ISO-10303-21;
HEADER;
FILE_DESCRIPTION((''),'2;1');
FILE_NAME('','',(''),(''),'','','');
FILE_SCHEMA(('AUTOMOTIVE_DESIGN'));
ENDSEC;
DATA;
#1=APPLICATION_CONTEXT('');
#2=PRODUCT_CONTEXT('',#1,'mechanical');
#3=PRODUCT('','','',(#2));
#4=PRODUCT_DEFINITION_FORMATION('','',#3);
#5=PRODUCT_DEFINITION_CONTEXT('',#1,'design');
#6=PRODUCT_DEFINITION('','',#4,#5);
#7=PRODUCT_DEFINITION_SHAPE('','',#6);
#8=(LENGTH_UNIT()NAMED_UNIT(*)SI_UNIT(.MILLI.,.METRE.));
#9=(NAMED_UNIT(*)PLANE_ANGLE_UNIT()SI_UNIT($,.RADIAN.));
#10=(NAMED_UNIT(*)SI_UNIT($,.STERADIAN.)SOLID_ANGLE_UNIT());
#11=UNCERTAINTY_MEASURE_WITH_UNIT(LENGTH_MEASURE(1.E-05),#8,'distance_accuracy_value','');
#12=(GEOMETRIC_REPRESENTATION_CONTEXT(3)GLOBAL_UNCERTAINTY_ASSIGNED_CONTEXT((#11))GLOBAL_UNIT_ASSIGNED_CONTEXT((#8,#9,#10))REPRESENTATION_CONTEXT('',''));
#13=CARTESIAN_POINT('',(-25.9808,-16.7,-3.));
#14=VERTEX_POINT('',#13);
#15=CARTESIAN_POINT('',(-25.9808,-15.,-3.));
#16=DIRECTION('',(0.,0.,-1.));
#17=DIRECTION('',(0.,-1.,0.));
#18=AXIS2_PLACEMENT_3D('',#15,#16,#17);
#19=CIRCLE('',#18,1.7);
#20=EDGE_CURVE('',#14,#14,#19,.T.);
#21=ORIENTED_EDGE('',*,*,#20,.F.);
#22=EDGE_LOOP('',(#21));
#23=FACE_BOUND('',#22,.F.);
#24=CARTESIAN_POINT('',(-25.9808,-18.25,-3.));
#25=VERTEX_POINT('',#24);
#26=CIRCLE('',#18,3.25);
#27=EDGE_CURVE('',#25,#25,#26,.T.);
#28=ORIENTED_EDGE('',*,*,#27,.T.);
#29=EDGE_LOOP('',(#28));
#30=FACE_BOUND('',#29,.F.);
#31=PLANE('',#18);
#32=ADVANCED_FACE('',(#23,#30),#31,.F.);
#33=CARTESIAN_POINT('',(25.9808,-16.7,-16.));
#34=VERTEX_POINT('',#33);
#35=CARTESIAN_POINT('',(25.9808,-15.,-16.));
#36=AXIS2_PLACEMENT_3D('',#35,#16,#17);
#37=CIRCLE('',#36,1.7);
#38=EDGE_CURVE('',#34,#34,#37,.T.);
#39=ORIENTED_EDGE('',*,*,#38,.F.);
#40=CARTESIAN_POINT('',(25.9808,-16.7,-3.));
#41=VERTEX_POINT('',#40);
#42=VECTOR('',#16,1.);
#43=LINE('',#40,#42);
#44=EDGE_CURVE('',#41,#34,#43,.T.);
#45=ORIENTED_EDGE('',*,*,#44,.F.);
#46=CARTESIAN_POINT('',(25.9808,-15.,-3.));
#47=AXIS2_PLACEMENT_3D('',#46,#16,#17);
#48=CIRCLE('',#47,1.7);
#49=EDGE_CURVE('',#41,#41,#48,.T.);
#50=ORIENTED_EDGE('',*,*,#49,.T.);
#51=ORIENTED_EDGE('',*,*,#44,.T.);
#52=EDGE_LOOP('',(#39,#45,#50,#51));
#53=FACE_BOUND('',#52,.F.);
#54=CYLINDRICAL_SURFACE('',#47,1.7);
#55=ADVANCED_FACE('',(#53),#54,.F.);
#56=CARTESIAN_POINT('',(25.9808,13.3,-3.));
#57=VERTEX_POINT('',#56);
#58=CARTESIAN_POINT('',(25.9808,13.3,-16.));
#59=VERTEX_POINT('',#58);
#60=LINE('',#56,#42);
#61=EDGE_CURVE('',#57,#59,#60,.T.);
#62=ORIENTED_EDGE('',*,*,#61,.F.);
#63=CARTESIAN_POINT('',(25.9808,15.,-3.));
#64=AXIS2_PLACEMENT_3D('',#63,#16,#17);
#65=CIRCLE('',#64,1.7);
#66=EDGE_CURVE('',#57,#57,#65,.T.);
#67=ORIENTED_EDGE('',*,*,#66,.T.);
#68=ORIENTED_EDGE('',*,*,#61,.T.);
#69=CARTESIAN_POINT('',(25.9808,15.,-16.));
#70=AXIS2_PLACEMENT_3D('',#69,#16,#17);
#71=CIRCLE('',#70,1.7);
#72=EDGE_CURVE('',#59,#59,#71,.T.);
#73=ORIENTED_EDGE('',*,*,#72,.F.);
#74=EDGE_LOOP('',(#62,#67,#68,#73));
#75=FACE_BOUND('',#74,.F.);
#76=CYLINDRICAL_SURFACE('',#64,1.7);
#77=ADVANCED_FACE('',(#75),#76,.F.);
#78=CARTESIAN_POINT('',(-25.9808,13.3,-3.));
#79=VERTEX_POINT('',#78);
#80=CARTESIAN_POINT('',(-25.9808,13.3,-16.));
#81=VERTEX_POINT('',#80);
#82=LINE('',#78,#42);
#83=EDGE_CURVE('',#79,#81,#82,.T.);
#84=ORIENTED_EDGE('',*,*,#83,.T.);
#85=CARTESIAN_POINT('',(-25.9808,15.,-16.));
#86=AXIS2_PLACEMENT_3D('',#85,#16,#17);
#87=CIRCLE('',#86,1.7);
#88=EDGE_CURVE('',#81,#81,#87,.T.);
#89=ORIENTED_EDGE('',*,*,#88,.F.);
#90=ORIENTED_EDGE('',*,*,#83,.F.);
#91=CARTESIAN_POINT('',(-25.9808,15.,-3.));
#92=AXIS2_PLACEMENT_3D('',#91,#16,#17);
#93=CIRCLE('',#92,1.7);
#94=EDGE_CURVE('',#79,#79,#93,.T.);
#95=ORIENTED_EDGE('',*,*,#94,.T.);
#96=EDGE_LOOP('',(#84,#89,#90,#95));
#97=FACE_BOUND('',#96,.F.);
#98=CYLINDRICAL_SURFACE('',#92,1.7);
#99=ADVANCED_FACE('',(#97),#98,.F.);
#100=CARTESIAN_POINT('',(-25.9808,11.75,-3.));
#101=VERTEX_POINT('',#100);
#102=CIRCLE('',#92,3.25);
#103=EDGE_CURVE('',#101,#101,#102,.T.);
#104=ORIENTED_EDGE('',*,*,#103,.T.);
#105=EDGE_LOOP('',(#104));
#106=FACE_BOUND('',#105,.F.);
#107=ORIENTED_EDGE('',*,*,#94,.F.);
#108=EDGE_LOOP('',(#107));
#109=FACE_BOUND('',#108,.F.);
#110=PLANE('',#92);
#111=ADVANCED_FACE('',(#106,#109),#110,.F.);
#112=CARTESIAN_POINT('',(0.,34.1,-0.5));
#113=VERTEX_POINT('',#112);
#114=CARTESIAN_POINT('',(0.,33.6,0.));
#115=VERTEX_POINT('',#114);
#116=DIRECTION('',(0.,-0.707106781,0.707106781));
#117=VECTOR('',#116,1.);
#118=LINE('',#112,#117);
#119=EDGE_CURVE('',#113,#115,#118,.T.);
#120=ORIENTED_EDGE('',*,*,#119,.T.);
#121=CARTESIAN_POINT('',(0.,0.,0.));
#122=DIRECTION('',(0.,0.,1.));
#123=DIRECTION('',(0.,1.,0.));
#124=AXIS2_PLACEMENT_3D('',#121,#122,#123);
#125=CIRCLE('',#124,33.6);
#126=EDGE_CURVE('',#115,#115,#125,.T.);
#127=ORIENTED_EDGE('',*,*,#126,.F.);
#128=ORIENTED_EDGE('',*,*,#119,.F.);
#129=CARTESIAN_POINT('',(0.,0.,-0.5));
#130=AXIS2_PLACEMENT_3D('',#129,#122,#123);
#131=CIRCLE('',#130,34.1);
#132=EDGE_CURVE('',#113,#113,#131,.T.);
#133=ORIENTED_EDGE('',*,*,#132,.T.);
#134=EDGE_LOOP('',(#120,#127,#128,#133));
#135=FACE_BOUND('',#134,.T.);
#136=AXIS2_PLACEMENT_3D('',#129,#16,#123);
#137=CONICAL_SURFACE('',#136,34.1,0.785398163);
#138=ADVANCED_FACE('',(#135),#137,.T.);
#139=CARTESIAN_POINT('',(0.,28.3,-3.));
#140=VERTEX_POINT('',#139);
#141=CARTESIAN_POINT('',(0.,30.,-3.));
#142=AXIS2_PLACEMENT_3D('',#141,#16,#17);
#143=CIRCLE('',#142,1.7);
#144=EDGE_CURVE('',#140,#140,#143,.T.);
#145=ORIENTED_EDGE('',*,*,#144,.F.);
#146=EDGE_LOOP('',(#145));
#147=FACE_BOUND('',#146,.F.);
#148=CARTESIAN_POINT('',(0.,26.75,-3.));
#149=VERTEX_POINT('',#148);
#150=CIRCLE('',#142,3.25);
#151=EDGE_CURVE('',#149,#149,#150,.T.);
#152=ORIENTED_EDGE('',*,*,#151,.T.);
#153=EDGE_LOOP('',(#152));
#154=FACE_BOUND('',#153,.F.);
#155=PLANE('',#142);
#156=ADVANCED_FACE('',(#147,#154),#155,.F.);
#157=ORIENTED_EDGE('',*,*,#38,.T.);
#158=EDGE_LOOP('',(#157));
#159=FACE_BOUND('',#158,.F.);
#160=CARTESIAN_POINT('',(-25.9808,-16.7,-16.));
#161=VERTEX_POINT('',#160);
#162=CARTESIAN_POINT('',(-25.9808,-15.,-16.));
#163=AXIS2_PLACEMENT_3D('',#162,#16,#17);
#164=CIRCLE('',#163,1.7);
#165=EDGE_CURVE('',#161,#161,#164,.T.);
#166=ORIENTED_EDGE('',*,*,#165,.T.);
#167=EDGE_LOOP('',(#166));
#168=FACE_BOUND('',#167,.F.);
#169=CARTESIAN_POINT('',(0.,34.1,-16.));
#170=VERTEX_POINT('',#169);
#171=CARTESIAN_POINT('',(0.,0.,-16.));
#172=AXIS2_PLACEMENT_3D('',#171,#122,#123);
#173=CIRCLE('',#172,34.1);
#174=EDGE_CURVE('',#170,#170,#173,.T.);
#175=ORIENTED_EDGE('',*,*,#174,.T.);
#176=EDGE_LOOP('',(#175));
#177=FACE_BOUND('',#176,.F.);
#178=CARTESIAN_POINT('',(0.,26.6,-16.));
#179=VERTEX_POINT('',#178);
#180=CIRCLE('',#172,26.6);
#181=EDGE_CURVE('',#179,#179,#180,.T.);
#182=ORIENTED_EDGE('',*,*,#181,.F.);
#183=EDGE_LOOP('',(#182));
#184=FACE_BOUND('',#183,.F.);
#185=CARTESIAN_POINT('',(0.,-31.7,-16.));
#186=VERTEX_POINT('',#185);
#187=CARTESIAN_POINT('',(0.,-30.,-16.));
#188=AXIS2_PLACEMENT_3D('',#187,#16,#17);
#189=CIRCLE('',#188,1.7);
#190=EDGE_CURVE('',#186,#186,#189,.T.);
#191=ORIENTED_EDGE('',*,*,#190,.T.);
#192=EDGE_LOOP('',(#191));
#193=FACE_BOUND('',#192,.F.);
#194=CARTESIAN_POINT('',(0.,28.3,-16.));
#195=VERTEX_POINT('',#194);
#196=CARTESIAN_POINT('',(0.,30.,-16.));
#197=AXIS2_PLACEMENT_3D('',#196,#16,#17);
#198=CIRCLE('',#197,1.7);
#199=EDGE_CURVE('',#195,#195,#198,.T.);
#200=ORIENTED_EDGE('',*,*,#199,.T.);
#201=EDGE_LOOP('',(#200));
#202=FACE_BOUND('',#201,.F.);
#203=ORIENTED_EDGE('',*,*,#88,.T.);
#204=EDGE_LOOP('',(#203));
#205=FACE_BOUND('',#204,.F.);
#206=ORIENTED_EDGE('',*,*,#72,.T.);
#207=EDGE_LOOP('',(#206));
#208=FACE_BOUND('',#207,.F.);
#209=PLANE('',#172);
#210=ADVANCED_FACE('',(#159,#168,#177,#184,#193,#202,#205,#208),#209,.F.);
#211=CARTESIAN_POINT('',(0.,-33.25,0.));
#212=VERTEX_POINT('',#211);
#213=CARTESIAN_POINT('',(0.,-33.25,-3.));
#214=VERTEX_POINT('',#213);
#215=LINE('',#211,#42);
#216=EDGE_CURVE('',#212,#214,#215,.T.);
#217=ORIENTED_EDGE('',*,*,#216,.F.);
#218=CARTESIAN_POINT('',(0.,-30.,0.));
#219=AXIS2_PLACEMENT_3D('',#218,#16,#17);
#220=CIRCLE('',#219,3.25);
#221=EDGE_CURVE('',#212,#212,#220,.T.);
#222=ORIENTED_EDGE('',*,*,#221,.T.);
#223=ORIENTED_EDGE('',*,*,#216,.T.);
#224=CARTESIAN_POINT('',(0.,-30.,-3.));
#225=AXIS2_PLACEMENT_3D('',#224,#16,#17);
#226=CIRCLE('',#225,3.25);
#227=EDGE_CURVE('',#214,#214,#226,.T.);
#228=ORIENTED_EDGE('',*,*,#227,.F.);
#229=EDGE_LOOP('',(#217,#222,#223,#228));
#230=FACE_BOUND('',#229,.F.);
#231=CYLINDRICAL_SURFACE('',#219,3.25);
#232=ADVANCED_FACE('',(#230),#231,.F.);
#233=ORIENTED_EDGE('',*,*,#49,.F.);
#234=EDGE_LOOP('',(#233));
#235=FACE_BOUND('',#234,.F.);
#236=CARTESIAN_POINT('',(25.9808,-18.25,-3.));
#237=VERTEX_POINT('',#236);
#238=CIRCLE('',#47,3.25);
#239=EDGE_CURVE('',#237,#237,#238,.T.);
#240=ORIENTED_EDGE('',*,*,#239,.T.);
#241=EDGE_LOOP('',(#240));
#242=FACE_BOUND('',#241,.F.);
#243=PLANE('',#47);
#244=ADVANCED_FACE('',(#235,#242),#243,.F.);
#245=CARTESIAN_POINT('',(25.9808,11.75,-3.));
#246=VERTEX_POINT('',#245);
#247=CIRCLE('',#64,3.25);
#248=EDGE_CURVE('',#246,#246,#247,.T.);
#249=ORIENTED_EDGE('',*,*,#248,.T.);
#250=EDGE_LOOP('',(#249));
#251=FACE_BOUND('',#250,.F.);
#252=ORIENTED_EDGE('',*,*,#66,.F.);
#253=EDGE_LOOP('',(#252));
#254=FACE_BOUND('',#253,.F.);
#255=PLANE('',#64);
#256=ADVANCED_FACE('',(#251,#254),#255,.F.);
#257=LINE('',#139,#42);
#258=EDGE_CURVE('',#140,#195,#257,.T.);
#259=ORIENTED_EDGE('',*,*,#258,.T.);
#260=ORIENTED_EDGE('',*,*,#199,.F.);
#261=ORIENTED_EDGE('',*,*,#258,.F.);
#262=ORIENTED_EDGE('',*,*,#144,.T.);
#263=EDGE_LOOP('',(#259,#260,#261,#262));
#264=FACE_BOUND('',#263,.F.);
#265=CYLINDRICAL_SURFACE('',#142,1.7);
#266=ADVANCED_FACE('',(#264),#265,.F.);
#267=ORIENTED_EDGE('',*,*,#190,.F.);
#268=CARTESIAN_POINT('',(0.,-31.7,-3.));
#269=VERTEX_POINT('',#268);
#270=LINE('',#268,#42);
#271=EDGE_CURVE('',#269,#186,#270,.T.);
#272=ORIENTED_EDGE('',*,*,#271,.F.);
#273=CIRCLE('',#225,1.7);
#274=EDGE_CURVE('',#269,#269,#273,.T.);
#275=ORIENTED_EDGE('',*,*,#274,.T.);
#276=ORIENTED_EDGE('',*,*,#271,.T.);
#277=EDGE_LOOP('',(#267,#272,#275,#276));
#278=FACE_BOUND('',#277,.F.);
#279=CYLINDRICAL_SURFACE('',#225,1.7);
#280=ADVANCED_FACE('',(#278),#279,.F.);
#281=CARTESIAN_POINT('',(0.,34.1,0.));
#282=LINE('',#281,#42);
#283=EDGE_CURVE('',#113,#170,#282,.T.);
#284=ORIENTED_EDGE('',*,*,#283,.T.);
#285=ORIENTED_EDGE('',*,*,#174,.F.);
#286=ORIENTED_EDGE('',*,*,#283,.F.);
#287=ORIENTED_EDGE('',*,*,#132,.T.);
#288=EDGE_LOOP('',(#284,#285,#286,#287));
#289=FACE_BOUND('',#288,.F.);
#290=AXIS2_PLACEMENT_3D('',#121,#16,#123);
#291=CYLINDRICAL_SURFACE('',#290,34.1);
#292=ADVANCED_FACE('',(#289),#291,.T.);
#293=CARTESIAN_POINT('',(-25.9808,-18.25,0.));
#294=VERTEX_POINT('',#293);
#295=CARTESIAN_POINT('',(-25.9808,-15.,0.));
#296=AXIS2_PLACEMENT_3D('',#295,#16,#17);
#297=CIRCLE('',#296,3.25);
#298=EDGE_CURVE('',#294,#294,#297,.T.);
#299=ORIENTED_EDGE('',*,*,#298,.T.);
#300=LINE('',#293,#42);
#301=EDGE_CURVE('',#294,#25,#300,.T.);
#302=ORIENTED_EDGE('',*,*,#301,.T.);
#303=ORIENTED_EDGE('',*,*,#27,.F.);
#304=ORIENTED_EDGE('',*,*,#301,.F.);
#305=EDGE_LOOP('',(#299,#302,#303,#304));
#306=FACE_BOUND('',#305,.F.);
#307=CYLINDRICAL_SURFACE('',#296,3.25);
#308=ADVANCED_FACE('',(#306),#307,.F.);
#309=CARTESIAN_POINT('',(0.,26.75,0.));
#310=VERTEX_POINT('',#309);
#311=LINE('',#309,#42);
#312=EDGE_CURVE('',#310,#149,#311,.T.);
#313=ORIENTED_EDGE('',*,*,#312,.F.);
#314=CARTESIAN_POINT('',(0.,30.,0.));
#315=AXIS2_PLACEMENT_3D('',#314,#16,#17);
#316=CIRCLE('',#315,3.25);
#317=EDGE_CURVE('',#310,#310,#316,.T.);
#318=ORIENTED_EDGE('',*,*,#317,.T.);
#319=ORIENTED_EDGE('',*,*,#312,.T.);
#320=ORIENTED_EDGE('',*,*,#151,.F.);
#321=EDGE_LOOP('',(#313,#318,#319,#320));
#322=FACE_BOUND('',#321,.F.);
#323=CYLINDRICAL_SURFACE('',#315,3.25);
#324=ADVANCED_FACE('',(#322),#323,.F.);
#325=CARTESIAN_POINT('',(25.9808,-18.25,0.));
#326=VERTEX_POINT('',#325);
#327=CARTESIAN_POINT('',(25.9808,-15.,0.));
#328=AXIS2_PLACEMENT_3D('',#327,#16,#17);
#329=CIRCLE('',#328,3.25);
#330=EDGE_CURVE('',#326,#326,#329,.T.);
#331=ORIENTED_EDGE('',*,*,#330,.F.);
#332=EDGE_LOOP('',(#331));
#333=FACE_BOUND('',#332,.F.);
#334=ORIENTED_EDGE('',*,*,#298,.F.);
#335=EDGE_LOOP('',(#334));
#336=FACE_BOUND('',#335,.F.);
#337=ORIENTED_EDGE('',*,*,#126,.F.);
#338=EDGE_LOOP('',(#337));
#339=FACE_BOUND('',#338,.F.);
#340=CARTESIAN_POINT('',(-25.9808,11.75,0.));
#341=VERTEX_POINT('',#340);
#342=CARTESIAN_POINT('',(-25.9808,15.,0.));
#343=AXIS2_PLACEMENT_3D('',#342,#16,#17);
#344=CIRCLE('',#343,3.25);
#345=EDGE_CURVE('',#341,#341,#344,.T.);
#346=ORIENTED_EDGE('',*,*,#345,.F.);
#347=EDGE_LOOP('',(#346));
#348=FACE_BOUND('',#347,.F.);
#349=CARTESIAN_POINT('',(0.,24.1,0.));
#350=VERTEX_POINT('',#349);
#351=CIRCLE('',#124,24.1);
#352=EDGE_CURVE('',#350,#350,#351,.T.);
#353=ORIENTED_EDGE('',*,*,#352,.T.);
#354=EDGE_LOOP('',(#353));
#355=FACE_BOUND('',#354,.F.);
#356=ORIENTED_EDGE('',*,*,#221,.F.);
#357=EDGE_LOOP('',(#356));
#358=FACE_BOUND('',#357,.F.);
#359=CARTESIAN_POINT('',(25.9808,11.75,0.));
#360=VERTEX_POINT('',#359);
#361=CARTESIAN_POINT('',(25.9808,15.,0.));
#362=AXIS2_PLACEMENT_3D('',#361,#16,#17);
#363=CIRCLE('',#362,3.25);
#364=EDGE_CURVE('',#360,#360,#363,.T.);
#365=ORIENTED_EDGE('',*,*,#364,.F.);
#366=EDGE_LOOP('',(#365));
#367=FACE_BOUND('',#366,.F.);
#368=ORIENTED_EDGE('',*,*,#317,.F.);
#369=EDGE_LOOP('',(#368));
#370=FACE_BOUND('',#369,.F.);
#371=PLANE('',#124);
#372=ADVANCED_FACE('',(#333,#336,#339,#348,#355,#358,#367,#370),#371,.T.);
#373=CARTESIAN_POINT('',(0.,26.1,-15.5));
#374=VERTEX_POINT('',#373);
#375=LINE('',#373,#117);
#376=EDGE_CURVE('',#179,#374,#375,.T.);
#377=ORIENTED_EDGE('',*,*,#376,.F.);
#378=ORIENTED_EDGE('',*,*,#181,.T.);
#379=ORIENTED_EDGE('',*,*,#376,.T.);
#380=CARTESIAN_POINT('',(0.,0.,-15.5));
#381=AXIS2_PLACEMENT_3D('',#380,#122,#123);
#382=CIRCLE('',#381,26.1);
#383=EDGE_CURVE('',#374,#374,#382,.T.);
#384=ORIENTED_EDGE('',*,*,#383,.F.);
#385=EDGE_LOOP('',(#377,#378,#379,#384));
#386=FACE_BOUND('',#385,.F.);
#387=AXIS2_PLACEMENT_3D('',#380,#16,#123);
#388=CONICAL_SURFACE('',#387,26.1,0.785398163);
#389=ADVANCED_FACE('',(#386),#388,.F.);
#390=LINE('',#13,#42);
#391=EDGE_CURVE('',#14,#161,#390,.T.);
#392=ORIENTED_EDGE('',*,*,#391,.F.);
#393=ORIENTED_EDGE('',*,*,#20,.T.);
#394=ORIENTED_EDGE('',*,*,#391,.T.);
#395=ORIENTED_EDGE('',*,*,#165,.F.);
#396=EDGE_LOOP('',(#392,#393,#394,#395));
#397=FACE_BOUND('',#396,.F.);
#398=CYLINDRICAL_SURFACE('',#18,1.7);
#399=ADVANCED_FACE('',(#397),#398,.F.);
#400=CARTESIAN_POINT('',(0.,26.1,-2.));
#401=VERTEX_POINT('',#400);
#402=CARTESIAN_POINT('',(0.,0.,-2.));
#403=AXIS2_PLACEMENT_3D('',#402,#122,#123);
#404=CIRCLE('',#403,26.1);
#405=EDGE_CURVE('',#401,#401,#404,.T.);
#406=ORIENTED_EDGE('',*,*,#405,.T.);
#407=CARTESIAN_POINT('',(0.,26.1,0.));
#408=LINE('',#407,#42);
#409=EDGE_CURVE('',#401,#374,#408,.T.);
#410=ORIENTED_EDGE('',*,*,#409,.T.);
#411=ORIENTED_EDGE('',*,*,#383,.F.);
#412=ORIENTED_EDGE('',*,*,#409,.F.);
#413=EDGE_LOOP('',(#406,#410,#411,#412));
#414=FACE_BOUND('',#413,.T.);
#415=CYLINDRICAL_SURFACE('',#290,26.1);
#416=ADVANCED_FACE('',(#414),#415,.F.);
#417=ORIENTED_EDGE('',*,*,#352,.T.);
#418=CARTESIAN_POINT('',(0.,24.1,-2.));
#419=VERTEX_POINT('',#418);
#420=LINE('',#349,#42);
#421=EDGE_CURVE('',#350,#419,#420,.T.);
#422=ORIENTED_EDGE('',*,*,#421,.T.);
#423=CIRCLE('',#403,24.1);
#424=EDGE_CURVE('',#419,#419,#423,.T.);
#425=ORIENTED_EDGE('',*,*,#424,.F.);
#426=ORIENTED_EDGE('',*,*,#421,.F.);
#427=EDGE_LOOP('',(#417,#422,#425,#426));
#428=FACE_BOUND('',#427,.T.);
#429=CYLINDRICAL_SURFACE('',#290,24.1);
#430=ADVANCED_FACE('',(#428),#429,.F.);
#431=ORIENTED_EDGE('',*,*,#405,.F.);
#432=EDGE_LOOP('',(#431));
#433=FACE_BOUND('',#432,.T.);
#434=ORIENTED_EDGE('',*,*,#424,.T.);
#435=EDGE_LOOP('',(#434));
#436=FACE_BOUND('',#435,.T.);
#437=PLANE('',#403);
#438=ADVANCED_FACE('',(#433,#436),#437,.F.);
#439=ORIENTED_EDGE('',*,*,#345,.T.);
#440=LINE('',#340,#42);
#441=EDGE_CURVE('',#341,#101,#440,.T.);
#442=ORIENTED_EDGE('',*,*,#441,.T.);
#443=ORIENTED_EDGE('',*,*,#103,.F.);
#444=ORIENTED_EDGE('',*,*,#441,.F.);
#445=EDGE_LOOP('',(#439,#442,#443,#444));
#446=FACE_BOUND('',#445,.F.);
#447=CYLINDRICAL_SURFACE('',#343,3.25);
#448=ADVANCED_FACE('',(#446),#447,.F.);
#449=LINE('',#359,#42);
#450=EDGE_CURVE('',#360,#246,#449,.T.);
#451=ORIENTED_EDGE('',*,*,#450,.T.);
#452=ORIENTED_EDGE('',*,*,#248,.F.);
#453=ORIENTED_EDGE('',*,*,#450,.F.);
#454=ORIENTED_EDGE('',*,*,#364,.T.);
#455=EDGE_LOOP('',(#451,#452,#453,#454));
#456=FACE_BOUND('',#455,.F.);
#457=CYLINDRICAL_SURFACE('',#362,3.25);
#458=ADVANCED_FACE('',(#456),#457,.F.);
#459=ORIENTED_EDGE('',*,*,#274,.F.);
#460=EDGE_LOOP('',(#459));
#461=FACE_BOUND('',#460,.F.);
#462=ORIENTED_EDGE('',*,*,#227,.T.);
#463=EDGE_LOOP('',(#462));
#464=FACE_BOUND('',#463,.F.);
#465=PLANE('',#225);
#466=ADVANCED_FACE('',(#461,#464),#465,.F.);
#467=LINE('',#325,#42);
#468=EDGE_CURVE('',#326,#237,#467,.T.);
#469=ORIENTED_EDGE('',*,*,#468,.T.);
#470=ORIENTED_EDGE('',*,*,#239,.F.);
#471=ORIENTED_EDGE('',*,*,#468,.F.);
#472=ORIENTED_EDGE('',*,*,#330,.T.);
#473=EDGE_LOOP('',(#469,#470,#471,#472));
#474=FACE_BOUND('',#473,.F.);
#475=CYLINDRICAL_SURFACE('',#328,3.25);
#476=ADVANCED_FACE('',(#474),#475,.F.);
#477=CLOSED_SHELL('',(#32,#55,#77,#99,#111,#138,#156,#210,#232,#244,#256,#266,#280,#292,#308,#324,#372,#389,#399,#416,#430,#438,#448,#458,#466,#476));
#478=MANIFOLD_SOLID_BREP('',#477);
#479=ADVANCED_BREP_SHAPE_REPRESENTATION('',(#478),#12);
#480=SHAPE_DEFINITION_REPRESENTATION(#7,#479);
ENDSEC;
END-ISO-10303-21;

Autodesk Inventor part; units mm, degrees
ref_plane "YZ Plane" through (0, 0, 0) normal (1, 0, 0) x (0, 1, 0)
ref_plane "XZ Plane" through (0, 0, 0) normal (0, 1, 0) x (-1, 0, 0)
ref_plane "XY Plane" through (0, 0, 0) normal (0, 0, 1) x (1, 0, 0)
sketch "スケッチ2" plane through (0, 0, 0) normal (1, 0, 0) x (0, 1, 0)
  line L0 (0, 0) -> (26.1, 0)
  line L1 (26.1, 0) -> (26.1, -16)
  line L2 (26.1, -16) -> (0, -16)
  line L3 (0, -16) -> (0, 0)
  line L4 (0, 0) -> (34.1, 0)
  line L5 (34.1, 0) -> (34.1, -16)
  line L6 (34.1, -16) -> (0, -16)
  line L7 (0, -16) -> (0, 0)
  line L8 (34.1, 0) -> (21, 0)
  line L9 (26.1, 0) -> (24.1, 0)
  line L10 (24.1, 0) -> (24.1, -2)
  line L11 (24.1, -2) -> (26.1, -2)
  line L12 (26.1, -2) -> (26.1, 0)
  point P0 (26.1, 0)
  point P1 (24.1, 0)
  dimension "d1" = 26.1
  dimension "d8" = 2
  dimension "d10" = 14
  dimension "d27" = 8
  dimension "d31" = 2
revolve "回転1" add sketch "スケッチ2" angle 360 about axis through (0, 0, -16) along (0, 0, 1) contours L0 L1 L11 L10 | L1 L4 L5 L6
sketch "スケッチ4" plane through (0, 0, 0) normal (0, 0, 1) x (1, 0, 0)
  point P0 (0, 0)
  point P1 (0, 30)
  point P2 (-25.9808, 15)
  point P3 (-25.9808, -15)
  point P4 (0, -30)
  point P5 (25.9808, -15)
  point P6 (25.9808, 15)
  dimension "d11" = 30
  dimension "d14" = 360
hole "穴1" at (0, 30, 0) at (-25.9808, 15, 0) at (-25.9808, -15, 0) at (0, -30, 0) at (25.9808, -15, 0) at (25.9808, 15, 0) direction (0, 0, -1) diameter 3.4 end through all counterbore diameter 6.5 counterbore depth 3 clearance for "Socket Head Cap Screw" size "M3" standard "Ansi Metric M Profile"
chamfer "面取り1" distance 0.5 angle 45 1 edges at (0, -26.1, -16)
chamfer "面取り2" distance 0.5 angle 45 1 edges at (0, -34.1, 0)
properties part number "bearing_cover_j5" material "ABS プラスチック"
